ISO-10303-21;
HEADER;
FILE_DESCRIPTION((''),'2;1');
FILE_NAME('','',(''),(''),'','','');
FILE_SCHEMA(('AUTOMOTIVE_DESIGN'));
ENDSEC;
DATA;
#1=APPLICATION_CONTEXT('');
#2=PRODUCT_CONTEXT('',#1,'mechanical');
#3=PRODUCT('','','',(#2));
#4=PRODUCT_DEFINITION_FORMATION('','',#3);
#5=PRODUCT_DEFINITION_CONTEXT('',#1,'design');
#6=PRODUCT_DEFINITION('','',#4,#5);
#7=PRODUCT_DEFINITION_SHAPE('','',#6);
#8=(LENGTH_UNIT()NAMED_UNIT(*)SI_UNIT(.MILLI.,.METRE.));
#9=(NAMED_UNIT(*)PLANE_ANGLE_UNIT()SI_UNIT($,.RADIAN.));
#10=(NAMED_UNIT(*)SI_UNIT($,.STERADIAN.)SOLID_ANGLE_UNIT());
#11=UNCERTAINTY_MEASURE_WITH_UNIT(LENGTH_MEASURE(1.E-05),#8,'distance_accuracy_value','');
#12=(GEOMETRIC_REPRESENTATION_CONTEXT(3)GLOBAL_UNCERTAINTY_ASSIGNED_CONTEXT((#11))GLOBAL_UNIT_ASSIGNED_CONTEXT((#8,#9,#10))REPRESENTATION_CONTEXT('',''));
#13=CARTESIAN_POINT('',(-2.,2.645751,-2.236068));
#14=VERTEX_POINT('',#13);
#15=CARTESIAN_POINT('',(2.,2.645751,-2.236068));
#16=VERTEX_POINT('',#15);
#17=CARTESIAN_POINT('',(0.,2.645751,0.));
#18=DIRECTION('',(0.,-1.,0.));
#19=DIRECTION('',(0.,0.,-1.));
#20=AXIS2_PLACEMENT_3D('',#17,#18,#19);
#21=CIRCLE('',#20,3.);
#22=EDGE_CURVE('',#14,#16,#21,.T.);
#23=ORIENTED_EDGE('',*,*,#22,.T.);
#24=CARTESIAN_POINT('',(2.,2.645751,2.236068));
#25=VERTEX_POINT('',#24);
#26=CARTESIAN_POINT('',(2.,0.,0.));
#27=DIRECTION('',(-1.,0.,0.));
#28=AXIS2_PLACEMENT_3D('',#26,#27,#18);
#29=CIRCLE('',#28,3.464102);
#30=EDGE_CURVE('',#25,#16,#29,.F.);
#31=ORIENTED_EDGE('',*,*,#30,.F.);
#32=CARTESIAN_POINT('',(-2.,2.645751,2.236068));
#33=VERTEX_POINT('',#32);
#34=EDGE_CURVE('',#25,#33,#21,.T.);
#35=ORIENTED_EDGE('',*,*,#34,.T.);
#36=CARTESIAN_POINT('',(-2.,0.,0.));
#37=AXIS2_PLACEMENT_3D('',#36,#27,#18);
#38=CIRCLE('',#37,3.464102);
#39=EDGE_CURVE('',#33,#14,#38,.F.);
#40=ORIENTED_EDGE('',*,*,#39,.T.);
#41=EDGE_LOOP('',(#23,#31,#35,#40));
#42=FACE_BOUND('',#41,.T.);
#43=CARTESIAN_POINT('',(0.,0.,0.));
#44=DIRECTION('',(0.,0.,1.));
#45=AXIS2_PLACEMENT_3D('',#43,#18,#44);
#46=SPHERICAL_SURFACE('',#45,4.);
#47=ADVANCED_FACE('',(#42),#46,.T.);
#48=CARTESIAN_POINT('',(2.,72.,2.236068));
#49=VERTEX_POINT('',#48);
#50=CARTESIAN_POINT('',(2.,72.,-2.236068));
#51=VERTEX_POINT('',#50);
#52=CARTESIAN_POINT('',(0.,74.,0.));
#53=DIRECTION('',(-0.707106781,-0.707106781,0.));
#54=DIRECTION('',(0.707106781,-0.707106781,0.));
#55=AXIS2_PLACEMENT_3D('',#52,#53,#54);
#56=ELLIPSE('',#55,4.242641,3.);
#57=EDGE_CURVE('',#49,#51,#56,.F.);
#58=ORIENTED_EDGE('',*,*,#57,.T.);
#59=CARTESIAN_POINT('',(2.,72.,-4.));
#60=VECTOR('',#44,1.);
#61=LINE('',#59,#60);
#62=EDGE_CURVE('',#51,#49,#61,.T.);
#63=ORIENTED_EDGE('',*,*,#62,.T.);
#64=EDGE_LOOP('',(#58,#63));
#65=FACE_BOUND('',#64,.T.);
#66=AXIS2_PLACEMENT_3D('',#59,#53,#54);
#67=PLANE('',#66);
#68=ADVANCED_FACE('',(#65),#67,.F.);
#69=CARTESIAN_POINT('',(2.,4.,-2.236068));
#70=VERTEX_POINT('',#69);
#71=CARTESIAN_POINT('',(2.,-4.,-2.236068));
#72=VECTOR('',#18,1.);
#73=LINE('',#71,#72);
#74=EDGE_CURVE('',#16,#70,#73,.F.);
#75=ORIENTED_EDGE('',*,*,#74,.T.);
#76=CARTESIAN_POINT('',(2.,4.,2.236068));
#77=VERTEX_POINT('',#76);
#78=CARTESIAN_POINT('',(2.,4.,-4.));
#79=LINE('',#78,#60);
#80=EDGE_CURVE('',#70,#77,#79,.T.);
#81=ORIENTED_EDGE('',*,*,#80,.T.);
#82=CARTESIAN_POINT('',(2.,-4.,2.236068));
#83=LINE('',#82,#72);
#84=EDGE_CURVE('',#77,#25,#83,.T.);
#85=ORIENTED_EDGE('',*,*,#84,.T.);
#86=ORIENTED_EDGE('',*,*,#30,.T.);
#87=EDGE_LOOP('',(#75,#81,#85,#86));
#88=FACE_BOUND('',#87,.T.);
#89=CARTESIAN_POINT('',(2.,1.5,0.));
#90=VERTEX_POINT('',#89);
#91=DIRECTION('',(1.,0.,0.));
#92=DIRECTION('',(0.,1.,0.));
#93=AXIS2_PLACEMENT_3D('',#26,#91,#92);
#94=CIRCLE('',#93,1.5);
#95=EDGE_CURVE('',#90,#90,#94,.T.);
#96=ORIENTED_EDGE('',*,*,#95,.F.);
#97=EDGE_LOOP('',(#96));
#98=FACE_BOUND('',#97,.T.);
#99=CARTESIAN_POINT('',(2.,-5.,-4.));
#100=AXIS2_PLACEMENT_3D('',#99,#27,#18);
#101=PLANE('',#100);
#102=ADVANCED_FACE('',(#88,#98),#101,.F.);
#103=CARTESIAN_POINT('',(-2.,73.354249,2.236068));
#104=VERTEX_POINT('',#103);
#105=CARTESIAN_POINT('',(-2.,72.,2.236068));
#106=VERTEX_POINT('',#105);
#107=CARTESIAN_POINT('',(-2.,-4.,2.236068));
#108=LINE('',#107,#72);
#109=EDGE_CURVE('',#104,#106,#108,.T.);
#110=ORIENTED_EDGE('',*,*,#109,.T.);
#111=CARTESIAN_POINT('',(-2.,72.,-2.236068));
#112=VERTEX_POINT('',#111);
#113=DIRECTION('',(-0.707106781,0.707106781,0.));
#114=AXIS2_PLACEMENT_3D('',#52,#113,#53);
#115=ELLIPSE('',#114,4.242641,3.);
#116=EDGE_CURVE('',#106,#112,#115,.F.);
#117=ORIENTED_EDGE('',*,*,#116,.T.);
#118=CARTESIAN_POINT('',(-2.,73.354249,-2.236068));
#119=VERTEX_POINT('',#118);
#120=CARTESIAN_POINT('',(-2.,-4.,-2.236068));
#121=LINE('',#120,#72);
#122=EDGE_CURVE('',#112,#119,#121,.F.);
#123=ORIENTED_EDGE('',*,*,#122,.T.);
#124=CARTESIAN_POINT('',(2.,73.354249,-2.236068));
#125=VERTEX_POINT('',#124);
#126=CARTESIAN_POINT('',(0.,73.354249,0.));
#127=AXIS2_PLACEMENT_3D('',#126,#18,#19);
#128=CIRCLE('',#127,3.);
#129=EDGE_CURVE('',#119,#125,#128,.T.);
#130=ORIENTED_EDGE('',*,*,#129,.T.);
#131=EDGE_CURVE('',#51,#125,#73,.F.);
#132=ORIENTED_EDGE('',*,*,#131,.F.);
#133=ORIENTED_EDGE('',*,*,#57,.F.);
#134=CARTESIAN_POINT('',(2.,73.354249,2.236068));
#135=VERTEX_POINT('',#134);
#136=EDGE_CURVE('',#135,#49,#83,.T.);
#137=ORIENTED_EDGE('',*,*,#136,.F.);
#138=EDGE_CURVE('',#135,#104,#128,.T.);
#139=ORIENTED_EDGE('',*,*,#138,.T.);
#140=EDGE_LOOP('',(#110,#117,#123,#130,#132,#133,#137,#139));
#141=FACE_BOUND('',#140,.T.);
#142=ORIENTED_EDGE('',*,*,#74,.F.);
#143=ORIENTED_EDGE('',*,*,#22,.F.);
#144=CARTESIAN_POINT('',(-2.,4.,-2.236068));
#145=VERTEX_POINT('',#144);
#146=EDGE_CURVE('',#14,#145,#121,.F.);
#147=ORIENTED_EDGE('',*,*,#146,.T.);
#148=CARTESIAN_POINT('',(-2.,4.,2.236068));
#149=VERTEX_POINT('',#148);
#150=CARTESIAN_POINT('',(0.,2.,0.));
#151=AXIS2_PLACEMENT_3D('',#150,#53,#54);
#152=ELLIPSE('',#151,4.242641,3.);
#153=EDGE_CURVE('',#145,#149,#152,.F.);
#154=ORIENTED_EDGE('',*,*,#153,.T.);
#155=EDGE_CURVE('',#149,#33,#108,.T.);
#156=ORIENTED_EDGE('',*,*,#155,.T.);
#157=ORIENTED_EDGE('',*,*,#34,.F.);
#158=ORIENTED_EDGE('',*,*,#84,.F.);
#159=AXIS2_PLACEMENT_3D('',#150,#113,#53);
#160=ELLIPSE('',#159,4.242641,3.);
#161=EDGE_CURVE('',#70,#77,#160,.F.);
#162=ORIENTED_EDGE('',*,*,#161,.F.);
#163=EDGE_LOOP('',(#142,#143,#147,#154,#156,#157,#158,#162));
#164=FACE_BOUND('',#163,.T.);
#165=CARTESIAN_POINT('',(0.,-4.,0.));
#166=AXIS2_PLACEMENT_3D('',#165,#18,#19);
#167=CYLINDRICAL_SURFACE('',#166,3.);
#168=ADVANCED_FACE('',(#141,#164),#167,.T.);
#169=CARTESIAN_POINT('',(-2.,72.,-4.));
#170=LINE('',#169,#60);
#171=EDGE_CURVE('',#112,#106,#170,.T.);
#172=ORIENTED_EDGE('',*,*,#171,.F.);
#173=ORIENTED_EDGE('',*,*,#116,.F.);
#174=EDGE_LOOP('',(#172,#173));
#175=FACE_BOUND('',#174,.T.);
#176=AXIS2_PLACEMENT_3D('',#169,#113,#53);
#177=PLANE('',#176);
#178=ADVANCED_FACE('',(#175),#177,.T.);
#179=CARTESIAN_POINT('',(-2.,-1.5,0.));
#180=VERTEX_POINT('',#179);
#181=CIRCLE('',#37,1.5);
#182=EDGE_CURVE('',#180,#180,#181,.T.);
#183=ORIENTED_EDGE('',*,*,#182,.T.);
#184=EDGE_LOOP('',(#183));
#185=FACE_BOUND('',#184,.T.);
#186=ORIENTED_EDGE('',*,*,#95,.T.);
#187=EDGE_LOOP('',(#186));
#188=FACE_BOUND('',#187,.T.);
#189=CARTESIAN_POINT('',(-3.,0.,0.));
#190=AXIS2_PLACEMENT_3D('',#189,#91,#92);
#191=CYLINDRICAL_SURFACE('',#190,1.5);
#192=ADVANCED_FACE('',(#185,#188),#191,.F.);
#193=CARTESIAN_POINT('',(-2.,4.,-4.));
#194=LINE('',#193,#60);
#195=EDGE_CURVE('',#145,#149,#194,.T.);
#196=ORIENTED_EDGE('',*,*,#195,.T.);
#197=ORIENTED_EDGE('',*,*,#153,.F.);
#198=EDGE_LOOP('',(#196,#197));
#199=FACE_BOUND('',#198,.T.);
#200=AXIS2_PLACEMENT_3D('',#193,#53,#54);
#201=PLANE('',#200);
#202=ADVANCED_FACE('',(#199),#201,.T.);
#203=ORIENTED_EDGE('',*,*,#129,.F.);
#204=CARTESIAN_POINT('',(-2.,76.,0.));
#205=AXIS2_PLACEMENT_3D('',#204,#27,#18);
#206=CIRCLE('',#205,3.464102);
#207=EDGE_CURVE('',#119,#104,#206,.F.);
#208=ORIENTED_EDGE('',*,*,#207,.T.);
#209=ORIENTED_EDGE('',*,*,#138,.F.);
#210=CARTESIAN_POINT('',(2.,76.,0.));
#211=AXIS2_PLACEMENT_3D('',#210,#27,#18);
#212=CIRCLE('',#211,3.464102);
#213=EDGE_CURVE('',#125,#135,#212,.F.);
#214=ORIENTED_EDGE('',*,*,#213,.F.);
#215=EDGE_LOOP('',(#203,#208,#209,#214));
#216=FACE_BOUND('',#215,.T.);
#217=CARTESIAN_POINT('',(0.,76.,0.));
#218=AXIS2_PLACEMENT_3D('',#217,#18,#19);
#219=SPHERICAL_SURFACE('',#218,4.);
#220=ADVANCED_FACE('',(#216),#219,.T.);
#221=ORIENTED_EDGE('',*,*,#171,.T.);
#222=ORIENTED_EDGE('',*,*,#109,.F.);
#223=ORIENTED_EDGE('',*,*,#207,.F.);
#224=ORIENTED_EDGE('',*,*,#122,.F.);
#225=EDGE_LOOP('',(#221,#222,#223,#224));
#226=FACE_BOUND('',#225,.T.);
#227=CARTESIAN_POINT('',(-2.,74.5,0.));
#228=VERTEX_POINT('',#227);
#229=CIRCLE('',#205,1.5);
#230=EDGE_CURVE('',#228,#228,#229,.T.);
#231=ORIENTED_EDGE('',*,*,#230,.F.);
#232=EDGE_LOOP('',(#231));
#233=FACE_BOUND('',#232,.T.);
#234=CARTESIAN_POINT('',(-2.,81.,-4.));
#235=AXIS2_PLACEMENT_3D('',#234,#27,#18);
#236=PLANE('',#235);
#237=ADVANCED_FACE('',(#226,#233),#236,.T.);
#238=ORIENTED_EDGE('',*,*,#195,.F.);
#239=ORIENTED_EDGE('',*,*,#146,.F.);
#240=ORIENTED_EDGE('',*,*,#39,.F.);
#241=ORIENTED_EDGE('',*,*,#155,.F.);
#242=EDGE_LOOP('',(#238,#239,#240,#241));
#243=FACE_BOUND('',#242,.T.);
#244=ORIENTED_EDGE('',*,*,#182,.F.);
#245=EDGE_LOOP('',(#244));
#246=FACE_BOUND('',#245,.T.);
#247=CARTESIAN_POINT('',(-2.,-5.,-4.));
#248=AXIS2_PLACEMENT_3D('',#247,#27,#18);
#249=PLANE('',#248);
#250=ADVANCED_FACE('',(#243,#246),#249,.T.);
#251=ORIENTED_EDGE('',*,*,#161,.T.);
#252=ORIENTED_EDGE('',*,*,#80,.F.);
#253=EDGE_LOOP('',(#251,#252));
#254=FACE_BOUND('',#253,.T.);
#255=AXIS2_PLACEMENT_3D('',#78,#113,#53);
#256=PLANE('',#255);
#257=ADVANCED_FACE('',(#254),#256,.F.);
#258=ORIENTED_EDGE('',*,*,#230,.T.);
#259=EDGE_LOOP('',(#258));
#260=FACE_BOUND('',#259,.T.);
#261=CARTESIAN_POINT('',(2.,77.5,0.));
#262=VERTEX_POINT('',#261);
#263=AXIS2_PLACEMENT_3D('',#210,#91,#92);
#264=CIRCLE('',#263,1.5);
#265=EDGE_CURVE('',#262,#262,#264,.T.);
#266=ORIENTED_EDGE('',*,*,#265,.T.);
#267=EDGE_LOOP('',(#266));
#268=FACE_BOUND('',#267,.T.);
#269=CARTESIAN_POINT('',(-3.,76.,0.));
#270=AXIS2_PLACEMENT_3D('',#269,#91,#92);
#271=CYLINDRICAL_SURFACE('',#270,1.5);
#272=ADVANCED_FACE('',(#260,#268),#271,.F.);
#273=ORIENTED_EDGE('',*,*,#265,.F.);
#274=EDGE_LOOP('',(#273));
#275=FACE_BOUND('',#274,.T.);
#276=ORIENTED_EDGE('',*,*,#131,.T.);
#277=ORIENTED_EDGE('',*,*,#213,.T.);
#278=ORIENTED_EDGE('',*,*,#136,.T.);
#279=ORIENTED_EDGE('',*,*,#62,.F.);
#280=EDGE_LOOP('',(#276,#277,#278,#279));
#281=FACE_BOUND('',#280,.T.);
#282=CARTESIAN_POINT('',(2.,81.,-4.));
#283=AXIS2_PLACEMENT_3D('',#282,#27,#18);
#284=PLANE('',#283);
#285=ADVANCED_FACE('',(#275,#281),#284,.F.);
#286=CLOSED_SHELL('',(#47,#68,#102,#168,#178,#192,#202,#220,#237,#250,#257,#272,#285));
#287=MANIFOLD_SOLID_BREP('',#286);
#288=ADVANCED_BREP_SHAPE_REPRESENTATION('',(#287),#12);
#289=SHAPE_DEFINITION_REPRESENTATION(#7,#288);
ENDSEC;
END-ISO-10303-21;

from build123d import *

# Parameters (mm, degrees)
CUT_EXTRUDE_1_DEPTH = 81.199750623
SKETCH_3_R          = 1.5
CUT_EXTRUDE_2_DEPTH = 81.255840909


with BuildPart() as part:
    # 草图1 → 旋转1 (revolve)
    with BuildSketch(Plane(origin=(0, 0, 0), x_dir=(0, 0, -1), z_dir=(1, 0, 0))):
        with BuildLine():
            Line((3, 2.645751311), (3, 73.354248689))
            ThreePointArc((3, 73.354248689), (3.645751311, 77.645751311), (0, 80))
            Line((0, 80), (0, -4))
            ThreePointArc((0, -4), (3.645751311, -1.645751311), (3, 2.645751311))
        make_face()
    revolve(axis=Axis((0, -4, 0), (0, 1, 0)))

    # 草图2 → 切除-拉伸1 (cut, symmetric)
    with BuildSketch(Plane.XY):
        Polygon((2, 81), (2, 72), (3, 71), (8, 71), (8, 81), align=None)
        Polygon((8, -5), (2, -5), (2, 4), (3, 5), (8, 5), align=None)
    cut_extrude_1 = extrude(amount=CUT_EXTRUDE_1_DEPTH, both=True, mode=Mode.SUBTRACT)

    # 镜向1: 切除-拉伸1 across plane
    add(cut_extrude_1.mirror(Plane(origin=(0, 0, 0), x_dir=(0, 0, 1), z_dir=(1, 0, 0))), mode=Mode.SUBTRACT)

    # 草图3 → 切除-拉伸2 (cut, through all)
    with BuildSketch(Plane(origin=(2, 0, 0), x_dir=(0, 0, -1), z_dir=(1, 0, 0))):
        with Locations(Location((0, 76, 0), (0, 0, 90))):
            Circle(SKETCH_3_R)
        with Locations(Location((0, 0, 0), (0, 0, 90))):
            Circle(SKETCH_3_R)
    extrude(amount=-CUT_EXTRUDE_2_DEPTH, mode=Mode.SUBTRACT)


solid = part.part
